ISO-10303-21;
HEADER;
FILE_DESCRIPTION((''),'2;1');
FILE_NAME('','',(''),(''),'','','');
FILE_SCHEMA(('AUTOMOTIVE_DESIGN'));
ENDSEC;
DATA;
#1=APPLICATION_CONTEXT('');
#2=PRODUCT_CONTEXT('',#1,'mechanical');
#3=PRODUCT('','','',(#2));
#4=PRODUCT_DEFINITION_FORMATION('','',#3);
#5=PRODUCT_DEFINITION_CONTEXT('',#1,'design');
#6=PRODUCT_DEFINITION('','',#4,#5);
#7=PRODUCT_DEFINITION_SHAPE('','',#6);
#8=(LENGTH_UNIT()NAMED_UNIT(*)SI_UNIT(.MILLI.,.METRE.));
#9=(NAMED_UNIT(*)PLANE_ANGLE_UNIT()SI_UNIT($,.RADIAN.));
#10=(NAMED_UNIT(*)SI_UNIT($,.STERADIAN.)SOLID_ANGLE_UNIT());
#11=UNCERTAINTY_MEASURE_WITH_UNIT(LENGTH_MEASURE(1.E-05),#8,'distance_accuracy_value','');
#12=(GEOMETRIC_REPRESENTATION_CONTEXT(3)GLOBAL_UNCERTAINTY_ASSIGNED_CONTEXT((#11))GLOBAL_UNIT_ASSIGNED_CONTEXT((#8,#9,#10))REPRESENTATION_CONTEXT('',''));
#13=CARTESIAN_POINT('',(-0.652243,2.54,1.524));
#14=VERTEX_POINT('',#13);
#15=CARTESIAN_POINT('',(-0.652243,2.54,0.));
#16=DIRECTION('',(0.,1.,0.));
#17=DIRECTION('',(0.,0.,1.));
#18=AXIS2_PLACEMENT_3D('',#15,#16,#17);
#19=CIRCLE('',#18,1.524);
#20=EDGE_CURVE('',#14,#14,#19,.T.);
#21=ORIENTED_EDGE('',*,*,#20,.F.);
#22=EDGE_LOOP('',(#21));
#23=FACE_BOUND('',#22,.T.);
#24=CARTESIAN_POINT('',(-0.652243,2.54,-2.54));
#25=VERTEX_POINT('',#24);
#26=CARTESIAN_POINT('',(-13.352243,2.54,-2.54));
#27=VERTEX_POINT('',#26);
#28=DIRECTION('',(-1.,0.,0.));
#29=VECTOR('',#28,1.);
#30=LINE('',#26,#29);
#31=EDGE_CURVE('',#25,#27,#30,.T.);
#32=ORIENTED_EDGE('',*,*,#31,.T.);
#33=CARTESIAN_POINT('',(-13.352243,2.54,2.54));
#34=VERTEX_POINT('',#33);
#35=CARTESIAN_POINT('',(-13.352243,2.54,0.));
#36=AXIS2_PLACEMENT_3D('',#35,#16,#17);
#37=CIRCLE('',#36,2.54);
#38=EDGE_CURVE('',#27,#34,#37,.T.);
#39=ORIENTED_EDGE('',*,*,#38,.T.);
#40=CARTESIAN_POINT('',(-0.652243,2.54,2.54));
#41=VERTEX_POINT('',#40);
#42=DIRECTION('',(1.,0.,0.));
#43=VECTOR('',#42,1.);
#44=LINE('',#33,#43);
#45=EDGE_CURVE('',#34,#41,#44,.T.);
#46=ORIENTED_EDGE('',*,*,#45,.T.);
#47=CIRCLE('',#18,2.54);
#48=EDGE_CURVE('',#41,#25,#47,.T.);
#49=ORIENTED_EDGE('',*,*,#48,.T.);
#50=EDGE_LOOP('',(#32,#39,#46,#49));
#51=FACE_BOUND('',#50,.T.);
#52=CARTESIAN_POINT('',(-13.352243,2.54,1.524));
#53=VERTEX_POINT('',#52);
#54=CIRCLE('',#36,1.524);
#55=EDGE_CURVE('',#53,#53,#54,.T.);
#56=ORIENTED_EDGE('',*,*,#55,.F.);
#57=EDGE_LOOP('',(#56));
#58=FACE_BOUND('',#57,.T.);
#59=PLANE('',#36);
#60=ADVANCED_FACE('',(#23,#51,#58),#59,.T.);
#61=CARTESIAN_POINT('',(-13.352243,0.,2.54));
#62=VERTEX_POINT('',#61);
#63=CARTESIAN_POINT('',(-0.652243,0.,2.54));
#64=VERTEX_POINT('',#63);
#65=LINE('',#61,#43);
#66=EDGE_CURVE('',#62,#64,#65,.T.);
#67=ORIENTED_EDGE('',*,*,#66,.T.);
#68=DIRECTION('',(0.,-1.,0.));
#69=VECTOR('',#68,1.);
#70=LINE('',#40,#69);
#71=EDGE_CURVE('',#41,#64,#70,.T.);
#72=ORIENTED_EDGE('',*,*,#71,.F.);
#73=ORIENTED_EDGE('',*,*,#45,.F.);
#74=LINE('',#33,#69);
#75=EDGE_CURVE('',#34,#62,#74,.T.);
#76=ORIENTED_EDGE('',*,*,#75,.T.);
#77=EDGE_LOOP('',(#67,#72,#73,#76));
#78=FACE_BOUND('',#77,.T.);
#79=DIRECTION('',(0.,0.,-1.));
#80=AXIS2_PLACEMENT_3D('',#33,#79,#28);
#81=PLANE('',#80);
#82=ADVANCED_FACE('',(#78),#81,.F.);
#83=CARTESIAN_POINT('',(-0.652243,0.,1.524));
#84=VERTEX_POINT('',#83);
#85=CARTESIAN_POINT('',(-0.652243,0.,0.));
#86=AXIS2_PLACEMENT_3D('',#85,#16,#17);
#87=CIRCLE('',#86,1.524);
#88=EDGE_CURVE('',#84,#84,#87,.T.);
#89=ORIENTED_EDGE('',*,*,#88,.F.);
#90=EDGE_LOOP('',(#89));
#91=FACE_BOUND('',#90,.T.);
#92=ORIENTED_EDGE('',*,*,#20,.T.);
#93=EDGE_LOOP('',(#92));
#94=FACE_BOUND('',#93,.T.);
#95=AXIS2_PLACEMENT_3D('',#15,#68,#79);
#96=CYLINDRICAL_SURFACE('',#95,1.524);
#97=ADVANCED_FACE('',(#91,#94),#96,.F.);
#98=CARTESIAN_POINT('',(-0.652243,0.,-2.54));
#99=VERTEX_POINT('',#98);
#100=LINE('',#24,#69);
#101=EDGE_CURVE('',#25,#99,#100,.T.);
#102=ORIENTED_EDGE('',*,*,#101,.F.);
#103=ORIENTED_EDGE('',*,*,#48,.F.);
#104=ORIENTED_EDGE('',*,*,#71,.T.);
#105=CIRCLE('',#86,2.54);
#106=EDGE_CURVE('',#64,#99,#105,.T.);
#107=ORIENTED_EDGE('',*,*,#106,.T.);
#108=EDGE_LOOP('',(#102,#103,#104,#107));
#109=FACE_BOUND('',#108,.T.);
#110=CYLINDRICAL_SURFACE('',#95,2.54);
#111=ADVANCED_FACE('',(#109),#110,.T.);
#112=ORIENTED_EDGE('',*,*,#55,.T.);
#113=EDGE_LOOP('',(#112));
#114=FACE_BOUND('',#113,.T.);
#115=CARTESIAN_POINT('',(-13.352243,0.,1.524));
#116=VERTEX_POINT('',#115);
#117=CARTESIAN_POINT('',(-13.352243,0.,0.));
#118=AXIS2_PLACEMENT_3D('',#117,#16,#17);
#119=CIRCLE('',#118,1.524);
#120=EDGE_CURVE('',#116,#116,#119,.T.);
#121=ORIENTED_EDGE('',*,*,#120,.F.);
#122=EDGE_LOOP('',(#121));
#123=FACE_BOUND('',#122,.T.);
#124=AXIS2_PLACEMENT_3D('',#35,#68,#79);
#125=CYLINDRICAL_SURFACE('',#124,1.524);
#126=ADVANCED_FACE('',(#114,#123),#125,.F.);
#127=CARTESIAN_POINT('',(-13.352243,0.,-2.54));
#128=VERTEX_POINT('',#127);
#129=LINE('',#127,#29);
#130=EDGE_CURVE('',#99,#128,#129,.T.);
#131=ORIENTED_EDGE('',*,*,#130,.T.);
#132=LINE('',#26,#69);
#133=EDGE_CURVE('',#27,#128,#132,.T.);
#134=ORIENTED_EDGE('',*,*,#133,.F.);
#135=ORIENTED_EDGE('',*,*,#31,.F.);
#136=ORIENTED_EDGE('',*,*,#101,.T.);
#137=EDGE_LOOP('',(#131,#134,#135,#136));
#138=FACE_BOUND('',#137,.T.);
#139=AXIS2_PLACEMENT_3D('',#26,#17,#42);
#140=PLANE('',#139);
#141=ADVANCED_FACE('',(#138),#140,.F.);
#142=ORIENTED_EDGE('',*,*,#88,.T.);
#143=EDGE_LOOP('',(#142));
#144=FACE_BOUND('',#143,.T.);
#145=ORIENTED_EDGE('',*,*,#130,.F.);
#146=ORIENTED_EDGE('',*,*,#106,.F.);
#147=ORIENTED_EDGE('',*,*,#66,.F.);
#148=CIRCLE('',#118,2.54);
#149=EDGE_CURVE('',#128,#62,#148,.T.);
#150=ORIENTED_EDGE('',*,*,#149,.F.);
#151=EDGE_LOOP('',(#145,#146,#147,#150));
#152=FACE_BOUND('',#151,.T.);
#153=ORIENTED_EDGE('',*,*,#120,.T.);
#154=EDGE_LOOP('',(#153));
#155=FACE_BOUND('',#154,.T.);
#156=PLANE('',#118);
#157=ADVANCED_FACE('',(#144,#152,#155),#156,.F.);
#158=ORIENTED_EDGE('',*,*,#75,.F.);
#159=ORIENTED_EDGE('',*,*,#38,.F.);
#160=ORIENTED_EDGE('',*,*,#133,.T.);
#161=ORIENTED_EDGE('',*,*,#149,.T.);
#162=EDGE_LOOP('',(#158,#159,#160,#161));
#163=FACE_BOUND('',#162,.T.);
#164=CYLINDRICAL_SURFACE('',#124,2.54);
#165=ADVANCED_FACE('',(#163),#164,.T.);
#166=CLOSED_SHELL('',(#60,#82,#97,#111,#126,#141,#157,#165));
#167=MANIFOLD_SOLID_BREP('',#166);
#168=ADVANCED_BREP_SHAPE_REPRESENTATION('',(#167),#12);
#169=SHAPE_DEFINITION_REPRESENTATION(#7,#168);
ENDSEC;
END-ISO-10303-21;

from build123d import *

# Parameters (mm, degrees)
SKETCH1_R           = 1.524
BOSS_EXTRUDE1_DEPTH = 2.54


with BuildPart() as part:
    # Sketch1 → Boss-Extrude1 (new body)
    with BuildSketch(Plane(origin=(0, 0, 0), x_dir=(1, 0, 0), z_dir=(0, 1, 0))):
        with BuildLine():
            Line((-13.35224278, 2.54), (-0.65224278, 2.54))
            ThreePointArc((-0.65224278, 2.54), (1.88775722, 0), (-0.65224278, -2.54))
            Line((-0.65224278, -2.54), (-13.35224278, -2.54))
            ThreePointArc((-13.35224278, -2.54), (-15.89224278, 0), (-13.35224278, 2.54))
        make_face()
        with Locations(Location((-13.35224278, 0, 0), (0, 0, 270))):
            Circle(SKETCH1_R, mode=Mode.SUBTRACT)
        with Locations(Location((-0.65224278, 0, 0), (0, 0, 270))):
            Circle(SKETCH1_R, mode=Mode.SUBTRACT)
    extrude(amount=BOSS_EXTRUDE1_DEPTH)


solid = part.part
